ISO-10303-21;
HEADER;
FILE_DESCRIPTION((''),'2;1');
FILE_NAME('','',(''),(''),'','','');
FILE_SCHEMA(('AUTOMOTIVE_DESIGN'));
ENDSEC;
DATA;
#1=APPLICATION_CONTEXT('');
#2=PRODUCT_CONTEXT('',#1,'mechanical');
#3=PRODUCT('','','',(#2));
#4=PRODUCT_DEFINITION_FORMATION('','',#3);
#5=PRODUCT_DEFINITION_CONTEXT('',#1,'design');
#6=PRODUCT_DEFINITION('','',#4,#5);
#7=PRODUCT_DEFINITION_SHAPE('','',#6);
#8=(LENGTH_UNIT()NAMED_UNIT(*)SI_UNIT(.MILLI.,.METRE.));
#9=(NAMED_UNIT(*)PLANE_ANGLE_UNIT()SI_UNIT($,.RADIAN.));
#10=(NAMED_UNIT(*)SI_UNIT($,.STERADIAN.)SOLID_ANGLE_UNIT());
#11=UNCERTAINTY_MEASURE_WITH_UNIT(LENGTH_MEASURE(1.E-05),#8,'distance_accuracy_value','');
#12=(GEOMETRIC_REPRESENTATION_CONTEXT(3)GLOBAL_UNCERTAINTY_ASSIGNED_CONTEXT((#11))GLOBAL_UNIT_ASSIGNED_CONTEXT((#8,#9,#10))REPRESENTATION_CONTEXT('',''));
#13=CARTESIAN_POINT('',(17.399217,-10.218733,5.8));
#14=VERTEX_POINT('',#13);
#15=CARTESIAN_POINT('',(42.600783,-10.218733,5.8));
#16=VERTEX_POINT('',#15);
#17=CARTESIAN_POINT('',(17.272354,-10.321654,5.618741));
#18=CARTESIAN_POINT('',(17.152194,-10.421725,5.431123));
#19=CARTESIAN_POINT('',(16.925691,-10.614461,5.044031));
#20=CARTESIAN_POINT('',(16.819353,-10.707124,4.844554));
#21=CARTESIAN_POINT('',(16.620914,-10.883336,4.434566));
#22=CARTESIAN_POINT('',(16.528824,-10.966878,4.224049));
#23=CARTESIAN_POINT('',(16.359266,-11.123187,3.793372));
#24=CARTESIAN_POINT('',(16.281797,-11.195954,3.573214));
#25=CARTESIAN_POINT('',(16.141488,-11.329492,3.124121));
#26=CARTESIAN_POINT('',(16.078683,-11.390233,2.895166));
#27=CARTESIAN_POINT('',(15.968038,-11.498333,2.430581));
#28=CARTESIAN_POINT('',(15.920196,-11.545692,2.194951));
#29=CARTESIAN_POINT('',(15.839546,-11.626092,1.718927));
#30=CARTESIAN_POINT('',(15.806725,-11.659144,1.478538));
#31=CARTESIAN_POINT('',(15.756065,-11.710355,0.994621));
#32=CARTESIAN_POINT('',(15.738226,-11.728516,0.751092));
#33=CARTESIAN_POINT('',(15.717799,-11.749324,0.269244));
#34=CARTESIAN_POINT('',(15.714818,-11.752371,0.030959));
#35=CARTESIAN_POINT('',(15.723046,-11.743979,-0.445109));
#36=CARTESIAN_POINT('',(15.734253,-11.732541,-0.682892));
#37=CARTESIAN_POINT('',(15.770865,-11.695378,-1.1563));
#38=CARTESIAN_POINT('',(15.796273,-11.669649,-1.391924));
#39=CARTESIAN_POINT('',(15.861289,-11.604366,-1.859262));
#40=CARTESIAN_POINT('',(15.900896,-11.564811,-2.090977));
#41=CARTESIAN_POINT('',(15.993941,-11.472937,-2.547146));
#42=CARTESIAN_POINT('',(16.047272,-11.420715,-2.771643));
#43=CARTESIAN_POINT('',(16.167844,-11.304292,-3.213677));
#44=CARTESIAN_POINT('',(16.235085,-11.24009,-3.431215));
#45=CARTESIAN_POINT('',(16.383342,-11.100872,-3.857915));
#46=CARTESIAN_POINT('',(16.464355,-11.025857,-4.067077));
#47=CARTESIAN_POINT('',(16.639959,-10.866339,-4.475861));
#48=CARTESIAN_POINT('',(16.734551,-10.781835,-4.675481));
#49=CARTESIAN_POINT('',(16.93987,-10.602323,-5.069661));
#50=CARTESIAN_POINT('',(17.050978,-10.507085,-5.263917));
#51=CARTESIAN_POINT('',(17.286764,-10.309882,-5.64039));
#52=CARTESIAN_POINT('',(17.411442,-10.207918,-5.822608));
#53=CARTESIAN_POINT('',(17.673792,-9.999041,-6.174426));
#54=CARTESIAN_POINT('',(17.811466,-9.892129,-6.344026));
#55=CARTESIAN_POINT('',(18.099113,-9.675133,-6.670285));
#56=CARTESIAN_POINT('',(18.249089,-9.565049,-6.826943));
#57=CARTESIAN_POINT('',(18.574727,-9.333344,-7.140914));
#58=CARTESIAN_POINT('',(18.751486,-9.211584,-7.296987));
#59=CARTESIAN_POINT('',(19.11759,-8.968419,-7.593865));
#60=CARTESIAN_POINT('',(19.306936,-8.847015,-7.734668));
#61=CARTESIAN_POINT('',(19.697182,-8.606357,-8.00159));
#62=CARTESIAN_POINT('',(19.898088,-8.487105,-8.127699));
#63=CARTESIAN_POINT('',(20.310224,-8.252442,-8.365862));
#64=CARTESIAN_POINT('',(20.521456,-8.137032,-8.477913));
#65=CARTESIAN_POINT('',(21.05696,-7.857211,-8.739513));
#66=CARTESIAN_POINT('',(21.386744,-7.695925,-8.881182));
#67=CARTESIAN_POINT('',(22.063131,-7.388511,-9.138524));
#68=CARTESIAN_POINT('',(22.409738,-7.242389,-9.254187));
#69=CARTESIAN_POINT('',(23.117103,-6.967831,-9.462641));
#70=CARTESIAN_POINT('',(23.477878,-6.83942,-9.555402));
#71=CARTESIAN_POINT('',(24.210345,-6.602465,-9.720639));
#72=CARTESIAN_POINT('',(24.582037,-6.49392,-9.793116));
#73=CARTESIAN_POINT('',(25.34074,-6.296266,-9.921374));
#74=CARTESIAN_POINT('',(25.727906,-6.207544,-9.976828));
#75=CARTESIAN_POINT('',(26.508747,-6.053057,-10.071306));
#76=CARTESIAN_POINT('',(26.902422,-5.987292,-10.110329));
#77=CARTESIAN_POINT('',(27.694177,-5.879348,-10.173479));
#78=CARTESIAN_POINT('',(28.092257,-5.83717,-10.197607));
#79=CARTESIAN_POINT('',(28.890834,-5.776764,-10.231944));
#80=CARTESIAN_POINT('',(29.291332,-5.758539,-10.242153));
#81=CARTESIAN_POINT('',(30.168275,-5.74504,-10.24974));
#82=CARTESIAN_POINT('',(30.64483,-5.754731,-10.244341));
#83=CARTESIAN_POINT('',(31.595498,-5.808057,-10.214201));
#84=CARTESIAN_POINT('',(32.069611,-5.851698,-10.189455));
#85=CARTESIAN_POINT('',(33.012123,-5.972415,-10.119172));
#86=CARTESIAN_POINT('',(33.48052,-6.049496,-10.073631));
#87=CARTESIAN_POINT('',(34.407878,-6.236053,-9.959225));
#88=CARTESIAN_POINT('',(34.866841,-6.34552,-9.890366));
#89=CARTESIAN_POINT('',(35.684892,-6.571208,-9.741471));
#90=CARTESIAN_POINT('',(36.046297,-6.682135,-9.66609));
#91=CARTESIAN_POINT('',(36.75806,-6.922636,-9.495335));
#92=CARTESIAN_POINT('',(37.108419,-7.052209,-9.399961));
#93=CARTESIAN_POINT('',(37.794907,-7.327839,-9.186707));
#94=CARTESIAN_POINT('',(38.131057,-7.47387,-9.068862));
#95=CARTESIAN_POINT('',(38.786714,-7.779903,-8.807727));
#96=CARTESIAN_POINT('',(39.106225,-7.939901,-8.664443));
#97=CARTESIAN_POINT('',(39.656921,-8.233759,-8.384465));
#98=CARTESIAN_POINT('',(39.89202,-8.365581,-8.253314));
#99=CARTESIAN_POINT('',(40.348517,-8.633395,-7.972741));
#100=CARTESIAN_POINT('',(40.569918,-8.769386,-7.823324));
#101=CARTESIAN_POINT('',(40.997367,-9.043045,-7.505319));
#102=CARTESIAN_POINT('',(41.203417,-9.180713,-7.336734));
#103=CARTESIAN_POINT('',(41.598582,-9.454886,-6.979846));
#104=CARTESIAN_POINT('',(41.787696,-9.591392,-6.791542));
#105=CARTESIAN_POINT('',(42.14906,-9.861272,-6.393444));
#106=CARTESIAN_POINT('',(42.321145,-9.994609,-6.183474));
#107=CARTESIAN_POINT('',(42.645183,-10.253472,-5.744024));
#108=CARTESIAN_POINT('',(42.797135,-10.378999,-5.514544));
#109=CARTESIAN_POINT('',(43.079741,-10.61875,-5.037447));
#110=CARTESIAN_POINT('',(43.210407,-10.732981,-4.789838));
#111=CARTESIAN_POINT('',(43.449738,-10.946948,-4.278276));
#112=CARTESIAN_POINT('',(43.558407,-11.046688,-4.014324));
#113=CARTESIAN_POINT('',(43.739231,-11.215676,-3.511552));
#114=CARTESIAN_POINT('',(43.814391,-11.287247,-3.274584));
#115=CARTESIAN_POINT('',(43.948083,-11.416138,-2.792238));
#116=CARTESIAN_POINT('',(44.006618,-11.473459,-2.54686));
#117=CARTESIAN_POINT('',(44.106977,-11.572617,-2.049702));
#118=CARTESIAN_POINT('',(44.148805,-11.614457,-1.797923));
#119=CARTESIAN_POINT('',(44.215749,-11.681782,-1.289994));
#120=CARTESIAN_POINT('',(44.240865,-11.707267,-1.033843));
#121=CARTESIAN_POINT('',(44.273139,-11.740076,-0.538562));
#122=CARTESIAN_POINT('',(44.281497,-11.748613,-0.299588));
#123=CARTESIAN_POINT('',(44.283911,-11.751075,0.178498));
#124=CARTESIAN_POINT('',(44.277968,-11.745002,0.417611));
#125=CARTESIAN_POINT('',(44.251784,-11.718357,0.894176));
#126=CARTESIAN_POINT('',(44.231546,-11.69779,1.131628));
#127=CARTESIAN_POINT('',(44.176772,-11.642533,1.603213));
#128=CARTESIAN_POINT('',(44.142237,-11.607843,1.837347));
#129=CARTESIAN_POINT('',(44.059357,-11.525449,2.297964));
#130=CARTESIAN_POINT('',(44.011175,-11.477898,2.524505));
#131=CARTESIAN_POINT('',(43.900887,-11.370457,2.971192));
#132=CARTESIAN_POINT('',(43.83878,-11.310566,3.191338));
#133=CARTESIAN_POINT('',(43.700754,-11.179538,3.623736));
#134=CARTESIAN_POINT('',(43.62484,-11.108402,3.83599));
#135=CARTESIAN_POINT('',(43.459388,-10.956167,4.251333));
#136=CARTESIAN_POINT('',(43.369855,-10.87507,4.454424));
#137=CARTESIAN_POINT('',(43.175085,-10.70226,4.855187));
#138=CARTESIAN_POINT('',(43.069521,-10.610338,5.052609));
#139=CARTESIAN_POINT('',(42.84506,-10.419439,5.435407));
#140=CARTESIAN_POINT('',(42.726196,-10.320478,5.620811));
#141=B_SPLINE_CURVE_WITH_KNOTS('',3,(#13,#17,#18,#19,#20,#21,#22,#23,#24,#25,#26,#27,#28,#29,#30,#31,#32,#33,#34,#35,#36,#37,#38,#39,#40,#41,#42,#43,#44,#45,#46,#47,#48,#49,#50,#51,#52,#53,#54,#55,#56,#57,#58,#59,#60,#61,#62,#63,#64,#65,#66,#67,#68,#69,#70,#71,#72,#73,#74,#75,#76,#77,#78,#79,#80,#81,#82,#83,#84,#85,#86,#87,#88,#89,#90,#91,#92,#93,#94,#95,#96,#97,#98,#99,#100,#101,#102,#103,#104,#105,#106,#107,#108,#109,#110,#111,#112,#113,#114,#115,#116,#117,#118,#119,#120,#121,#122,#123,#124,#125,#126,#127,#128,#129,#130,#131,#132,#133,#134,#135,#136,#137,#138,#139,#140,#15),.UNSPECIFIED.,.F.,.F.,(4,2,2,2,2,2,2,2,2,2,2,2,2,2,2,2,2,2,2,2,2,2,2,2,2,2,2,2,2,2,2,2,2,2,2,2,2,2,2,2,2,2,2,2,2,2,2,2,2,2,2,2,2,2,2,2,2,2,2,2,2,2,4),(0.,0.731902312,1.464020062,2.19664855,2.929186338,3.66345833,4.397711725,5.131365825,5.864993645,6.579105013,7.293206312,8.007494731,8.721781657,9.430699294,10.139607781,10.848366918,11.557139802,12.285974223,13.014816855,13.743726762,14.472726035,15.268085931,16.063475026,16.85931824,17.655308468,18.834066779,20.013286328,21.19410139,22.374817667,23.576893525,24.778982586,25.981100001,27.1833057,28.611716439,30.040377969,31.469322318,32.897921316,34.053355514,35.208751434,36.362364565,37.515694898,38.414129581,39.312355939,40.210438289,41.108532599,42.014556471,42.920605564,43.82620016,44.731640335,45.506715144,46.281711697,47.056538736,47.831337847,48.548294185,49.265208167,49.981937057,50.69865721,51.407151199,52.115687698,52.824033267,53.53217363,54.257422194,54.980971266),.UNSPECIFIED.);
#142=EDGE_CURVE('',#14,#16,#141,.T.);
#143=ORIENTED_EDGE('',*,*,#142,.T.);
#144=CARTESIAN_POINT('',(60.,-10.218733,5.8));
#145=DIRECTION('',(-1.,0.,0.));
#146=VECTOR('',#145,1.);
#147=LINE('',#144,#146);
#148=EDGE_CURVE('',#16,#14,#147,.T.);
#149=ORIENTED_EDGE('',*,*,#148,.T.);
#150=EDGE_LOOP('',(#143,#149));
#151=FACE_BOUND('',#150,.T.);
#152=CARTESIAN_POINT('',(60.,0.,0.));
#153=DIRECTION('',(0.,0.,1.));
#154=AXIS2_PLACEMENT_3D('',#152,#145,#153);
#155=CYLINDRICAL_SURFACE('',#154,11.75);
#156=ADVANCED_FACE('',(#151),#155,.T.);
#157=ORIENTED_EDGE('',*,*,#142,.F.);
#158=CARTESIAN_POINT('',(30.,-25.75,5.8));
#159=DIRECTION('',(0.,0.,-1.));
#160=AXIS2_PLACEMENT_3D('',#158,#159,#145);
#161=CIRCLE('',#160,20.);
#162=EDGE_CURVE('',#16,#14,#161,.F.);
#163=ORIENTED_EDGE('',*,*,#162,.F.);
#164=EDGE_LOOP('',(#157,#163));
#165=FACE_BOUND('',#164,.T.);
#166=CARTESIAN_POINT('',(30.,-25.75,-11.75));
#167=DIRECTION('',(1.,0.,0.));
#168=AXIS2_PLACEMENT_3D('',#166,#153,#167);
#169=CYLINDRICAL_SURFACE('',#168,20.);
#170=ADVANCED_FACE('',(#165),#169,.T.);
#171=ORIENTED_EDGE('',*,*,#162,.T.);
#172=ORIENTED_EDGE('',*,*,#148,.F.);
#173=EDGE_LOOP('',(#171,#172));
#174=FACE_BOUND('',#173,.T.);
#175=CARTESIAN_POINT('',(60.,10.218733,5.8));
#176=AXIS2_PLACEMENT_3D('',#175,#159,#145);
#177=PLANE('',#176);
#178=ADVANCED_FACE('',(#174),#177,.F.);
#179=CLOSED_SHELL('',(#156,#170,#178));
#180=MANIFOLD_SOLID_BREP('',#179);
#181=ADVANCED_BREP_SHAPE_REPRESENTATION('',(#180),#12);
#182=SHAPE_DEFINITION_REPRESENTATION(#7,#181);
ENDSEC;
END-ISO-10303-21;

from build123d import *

# Parameters (mm, degrees)
SKETCH1_R           = 11.75
BOSS_EXTRUDE1_DEPTH = 60
CUT_EXTRUDE1_DEPTH  = 63.258533552
CUT_EXTRUDE2_DEPTH  = 64.608686514


with BuildPart() as part:
    # Sketch1 → Boss-Extrude1 (new body)
    with BuildSketch(Plane(origin=(0, 0, 0), x_dir=(0, 0, -1), z_dir=(1, 0, 0))):
        Circle(SKETCH1_R)
    extrude(amount=BOSS_EXTRUDE1_DEPTH)

    # Sketch2 → Cut-Extrude1 (cut, through all)
    with BuildSketch(Plane.ZY):
        with BuildLine():
            Line((5.8, 10.218732798), (5.8, -10.218732798))
            ThreePointArc((5.8, -10.218732798), (11.75, 0), (5.8, 10.218732798))
        make_face()
    extrude(amount=-CUT_EXTRUDE1_DEPTH, mode=Mode.SUBTRACT)

    # Sketch3 → Cut-Extrude2 (cut, through all)
    with BuildSketch(Plane.XY.offset(5.8)):
        with BuildLine():
            Line((0, 11.75), (60, 11.75))
            Line((60, 11.75), (60, -11.75))
            Line((60, -11.75), (44.282856857, -11.75))
            ThreePointArc((44.282856857, -11.75), (30, -5.75), (15.717143143, -11.75))
            Line((15.717143143, -11.75), (0, -11.75))
            Line((0, -11.75), (0, 11.75))
        make_face()
    extrude(amount=-CUT_EXTRUDE2_DEPTH, mode=Mode.SUBTRACT)


solid = part.part
